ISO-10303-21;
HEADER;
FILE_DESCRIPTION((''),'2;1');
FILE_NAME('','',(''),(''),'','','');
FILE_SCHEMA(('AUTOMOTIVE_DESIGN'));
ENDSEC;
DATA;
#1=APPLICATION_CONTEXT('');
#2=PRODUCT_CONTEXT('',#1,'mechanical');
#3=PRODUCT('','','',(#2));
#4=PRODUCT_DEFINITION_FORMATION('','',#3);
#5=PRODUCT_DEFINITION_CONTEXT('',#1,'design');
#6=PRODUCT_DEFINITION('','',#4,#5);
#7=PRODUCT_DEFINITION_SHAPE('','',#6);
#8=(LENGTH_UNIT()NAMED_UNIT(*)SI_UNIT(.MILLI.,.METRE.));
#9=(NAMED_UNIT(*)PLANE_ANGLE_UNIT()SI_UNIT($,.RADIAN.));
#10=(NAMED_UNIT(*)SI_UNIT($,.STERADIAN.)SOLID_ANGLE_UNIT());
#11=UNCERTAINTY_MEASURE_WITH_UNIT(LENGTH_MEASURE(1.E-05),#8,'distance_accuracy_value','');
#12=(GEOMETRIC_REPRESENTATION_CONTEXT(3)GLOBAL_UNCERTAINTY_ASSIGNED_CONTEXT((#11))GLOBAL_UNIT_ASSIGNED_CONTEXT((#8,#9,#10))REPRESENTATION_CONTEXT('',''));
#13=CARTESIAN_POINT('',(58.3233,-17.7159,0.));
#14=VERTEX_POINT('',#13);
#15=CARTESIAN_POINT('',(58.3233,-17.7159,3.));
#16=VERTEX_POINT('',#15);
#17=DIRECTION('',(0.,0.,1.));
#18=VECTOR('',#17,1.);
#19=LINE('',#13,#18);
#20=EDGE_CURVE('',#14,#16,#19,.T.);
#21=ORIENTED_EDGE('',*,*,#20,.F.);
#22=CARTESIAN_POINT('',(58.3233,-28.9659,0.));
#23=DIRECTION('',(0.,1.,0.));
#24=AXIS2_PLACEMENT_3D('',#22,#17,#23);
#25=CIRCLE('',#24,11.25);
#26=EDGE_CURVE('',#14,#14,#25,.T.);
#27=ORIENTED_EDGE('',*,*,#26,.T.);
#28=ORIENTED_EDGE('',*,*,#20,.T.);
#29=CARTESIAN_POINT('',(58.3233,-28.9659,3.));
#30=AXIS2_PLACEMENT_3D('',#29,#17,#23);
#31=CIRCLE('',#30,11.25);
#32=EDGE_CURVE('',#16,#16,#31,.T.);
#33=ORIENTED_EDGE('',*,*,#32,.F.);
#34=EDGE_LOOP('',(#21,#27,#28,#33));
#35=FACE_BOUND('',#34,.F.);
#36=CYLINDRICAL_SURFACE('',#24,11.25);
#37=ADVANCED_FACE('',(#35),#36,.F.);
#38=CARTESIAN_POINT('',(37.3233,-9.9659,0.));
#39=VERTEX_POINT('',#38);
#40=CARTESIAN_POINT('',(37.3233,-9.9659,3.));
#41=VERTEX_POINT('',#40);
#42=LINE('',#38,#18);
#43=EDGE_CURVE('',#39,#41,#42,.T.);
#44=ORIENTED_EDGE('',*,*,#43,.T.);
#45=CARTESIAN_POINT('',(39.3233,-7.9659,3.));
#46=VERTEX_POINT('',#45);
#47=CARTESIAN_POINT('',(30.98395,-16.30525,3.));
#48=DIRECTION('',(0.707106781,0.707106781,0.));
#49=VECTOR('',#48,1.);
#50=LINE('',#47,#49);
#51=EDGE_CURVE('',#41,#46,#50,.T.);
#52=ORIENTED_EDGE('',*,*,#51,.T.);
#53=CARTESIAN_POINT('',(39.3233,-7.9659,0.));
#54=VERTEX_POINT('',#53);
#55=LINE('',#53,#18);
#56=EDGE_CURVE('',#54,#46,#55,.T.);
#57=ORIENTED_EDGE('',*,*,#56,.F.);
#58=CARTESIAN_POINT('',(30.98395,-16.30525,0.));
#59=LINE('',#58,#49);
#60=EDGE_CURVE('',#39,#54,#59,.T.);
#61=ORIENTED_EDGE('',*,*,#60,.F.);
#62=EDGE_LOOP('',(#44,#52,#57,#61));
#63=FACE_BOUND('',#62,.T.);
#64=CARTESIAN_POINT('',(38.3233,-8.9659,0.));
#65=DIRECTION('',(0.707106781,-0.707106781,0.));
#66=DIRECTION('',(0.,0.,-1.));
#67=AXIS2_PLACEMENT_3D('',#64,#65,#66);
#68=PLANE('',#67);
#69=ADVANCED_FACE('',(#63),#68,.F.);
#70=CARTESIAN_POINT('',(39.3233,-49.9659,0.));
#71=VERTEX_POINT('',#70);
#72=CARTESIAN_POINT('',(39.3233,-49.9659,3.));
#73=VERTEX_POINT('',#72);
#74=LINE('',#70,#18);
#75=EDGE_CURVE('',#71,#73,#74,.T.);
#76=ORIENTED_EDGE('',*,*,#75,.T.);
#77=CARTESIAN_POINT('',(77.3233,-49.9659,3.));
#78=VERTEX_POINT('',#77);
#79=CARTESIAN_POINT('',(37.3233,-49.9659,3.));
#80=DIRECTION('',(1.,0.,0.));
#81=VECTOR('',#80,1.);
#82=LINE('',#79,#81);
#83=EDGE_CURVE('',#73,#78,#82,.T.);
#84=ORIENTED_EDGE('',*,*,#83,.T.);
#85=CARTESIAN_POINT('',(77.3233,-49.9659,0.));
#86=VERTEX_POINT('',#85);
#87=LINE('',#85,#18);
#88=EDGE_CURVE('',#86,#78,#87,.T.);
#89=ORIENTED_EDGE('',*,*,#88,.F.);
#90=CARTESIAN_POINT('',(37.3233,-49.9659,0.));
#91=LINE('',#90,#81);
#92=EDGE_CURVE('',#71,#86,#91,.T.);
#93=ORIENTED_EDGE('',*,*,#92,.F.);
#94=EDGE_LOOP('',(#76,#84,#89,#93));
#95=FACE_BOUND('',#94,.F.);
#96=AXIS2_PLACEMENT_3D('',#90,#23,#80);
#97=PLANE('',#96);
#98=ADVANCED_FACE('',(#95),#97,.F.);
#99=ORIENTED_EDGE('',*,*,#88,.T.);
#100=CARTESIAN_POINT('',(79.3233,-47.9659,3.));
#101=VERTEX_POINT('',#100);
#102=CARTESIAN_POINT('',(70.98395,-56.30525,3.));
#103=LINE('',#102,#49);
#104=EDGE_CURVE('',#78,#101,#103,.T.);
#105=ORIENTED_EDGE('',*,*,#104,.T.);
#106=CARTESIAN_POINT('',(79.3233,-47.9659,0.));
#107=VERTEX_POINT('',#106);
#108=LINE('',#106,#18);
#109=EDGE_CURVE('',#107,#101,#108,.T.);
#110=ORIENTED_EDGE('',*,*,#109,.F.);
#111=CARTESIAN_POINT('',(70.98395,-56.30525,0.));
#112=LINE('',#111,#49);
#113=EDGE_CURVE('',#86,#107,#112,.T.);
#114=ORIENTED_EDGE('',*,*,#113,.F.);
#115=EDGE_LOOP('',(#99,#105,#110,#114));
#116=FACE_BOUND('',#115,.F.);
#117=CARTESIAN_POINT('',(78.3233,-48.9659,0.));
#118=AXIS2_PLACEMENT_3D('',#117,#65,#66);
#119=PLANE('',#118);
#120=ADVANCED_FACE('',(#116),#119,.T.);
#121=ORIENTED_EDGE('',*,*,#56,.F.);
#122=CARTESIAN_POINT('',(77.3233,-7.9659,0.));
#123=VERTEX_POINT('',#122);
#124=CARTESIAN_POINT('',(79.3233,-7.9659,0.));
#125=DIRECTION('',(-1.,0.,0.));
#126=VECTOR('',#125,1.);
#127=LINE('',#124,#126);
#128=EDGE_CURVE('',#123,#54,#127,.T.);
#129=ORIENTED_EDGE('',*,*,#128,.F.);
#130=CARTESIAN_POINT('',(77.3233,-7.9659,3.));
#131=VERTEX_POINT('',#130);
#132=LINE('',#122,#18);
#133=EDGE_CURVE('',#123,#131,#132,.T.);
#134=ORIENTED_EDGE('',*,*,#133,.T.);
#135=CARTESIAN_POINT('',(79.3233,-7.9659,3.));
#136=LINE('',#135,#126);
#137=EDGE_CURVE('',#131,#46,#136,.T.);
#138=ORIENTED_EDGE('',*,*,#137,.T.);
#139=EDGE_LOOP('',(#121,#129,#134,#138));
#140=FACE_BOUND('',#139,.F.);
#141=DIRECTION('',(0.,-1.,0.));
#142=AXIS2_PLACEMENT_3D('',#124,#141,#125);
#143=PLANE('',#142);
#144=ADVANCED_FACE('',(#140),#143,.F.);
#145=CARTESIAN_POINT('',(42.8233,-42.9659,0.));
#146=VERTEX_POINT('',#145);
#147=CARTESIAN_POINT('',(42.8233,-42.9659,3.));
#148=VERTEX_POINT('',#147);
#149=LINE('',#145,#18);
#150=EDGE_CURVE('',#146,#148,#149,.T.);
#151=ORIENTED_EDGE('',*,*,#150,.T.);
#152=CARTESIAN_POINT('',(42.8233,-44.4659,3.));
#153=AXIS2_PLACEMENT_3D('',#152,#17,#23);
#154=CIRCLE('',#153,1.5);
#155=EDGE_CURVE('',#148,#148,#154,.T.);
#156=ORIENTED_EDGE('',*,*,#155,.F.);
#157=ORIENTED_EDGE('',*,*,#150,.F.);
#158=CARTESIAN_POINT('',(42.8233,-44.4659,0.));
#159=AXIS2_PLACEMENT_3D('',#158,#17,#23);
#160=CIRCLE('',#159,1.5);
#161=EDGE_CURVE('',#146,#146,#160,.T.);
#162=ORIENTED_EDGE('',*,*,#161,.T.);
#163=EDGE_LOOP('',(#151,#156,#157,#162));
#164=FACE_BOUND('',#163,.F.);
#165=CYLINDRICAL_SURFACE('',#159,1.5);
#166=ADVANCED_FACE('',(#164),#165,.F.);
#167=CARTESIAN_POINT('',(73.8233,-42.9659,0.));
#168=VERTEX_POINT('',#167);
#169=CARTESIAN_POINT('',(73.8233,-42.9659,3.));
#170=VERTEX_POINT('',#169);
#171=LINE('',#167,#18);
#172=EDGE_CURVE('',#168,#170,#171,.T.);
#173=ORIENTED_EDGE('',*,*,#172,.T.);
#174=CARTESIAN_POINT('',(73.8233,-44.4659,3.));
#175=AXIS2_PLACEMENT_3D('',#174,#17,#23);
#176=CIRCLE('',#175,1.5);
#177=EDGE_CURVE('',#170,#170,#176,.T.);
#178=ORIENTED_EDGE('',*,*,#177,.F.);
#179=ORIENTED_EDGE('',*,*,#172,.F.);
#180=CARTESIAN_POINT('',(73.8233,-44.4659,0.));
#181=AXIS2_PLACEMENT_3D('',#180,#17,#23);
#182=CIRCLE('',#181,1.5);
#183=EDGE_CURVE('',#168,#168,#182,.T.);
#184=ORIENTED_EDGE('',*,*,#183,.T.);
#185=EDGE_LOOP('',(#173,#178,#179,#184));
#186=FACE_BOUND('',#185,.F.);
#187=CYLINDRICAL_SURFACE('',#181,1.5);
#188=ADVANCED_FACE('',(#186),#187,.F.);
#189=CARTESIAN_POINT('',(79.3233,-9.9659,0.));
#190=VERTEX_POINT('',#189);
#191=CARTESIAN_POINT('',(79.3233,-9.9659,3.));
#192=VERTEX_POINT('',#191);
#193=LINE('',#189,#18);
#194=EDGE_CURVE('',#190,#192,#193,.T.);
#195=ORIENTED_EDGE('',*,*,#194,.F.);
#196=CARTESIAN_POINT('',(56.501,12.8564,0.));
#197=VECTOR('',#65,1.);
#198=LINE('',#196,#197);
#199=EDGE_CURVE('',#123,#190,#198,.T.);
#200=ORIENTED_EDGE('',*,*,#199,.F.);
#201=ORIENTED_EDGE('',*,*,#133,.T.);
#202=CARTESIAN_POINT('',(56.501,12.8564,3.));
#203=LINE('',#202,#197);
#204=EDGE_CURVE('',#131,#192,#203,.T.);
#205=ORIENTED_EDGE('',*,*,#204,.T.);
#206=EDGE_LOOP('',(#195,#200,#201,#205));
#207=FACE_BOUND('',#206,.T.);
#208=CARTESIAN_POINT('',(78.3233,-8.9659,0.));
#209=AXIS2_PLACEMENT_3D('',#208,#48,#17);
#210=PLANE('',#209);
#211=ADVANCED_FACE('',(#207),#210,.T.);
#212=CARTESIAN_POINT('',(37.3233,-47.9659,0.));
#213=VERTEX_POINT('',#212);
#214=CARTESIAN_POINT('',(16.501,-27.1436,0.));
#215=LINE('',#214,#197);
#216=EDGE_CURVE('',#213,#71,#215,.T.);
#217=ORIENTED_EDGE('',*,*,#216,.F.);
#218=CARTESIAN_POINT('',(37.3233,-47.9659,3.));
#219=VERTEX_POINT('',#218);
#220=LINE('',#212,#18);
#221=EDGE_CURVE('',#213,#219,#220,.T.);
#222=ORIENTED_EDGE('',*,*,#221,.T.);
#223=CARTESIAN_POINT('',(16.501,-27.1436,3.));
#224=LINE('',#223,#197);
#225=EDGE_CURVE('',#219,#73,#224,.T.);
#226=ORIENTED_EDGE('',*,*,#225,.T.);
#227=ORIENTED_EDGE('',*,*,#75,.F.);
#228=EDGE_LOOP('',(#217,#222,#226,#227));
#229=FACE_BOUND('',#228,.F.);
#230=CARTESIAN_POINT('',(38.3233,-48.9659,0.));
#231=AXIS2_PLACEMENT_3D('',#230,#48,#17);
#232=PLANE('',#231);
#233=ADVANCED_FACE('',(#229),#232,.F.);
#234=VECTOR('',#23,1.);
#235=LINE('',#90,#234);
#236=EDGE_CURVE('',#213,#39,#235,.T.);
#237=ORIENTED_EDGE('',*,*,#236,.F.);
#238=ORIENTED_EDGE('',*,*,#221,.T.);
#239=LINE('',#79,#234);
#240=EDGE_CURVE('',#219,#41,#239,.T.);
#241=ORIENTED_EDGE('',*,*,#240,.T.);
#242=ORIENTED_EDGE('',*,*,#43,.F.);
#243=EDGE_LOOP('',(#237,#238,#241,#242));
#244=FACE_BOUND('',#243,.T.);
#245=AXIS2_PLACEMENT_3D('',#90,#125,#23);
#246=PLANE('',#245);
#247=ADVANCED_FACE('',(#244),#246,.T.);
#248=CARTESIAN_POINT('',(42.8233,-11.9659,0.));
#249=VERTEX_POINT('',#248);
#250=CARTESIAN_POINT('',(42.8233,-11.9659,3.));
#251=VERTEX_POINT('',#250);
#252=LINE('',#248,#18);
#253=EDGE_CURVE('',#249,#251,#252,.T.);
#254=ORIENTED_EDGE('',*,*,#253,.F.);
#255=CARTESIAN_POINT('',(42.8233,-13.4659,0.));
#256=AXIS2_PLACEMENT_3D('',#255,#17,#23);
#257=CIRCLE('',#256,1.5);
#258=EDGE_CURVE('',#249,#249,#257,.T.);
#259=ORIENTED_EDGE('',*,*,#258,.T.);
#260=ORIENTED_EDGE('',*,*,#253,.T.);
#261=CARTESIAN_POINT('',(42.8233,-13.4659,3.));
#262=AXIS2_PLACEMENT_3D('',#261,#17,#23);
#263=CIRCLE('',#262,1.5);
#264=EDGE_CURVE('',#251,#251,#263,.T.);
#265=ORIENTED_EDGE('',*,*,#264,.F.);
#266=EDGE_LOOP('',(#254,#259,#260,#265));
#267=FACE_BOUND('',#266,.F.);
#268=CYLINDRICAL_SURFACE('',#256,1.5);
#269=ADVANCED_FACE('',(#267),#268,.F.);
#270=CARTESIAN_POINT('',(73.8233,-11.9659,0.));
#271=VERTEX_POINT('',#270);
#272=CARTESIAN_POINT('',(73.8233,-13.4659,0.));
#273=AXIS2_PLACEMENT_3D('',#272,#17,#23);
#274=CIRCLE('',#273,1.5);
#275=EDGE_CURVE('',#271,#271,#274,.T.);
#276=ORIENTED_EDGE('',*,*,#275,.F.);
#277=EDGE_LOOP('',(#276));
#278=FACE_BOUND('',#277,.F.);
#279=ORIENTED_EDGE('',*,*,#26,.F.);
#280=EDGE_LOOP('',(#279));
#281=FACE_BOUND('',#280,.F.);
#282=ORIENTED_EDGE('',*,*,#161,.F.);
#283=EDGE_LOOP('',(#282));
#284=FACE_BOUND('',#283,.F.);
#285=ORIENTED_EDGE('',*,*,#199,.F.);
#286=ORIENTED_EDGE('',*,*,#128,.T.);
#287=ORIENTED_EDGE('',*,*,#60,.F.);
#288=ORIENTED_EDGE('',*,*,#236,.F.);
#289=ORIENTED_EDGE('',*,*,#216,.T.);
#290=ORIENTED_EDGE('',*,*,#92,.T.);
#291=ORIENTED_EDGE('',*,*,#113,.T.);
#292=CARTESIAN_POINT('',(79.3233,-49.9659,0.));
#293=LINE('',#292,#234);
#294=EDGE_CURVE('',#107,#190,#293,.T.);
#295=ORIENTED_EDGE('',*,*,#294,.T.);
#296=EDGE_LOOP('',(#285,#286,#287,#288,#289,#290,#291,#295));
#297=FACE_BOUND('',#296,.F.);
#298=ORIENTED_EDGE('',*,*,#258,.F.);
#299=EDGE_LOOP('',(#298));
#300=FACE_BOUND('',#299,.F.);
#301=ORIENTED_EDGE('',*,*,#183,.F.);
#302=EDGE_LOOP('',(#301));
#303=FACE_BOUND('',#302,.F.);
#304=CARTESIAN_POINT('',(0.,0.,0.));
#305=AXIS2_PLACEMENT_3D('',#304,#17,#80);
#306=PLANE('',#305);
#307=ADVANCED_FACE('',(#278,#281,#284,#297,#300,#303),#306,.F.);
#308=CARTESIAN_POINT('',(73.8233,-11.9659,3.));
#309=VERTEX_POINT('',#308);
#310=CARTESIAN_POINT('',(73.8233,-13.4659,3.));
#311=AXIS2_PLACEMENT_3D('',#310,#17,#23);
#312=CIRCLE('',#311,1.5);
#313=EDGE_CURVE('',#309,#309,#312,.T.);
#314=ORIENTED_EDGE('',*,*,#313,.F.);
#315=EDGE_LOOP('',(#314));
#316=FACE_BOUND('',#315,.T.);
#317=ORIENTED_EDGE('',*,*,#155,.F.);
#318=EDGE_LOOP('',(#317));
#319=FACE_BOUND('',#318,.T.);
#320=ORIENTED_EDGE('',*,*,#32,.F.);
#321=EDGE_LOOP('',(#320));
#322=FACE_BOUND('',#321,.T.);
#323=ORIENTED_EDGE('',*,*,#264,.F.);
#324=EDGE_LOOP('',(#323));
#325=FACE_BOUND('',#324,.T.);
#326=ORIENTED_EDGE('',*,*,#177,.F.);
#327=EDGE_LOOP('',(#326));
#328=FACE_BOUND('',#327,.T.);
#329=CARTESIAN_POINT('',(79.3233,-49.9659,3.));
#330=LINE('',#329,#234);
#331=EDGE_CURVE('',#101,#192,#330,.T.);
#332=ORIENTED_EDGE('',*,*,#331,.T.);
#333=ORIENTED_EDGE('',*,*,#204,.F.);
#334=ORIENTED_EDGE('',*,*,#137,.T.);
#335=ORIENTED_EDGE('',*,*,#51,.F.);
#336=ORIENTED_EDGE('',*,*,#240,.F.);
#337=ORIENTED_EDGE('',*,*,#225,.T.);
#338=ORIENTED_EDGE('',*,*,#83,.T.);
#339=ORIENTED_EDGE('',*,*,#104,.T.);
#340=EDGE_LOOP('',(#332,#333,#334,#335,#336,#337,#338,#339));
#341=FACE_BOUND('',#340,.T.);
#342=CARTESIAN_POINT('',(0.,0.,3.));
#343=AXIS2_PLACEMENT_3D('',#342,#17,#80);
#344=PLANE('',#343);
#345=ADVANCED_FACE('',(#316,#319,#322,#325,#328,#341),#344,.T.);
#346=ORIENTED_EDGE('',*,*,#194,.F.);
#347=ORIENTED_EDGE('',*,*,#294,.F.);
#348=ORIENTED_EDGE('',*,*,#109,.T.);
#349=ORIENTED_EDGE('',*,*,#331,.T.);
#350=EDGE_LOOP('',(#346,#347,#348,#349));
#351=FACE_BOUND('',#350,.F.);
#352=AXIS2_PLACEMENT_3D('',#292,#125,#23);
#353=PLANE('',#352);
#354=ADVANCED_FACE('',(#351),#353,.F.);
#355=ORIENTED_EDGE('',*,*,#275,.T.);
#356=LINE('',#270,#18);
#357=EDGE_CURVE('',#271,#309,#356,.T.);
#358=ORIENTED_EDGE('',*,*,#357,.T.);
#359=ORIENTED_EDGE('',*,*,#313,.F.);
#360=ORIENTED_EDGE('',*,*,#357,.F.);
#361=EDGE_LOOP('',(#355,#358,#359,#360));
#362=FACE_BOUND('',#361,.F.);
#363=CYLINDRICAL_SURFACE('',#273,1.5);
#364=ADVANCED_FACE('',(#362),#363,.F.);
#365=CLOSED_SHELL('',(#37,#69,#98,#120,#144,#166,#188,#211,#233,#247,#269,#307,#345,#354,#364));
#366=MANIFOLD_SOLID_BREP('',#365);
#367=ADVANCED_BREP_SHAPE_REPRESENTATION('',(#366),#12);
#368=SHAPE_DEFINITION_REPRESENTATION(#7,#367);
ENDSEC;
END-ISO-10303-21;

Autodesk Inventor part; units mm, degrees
ref_plane "YZ Plane" through (0, 0, 0) normal (1, 0, 0) x (0, 1, 0)
ref_plane "XZ Plane" through (0, 0, 0) normal (0, 1, 0) x (-1, 0, 0)
ref_plane "XY Plane" through (0, 0, 0) normal (0, 0, 1) x (1, 0, 0)
sketch "Szkic1" plane through (0, 0, 0) normal (0, 0, 1) x (1, 0, 0)
  line L0 (37.3233, -49.9659) -> (79.3233, -49.9659)
  line L1 (79.3233, -49.9659) -> (79.3233, -7.9659)
  line L2 (79.3233, -7.9659) -> (37.3233, -7.9659)
  line L3 (37.3233, -49.9659) -> (37.3233, -7.9659)
  point P0 (0, 0)
  point P1 (42.8233, -13.4659)
  point P2 (73.8233, -13.4659)
  point P3 (42.8233, -44.4659)
  point P4 (73.8233, -44.4659)
  point P5 (58.3233, -28.9659)
  dimension "d0" = 42
  dimension "d2" = 15.5
  dimension "d3" = 15.5
  dimension "d4" = 15.5
  dimension "d5" = 15.5
  dimension "d6" = 15.5
  dimension "d7" = 15.5
  dimension "d8" = 15.5
  dimension "d9" = 15.5
  dimension "d10" = 21
  dimension "d11" = 21
  dimension "d19" = 21
extrude "Wyciągnięcie proste1" add sketch "Szkic1" along normal blind 3
hole "Otwór1" at (73.8233, -44.4659, 0) at (42.8233, -44.4659, 0) at (73.8233, -13.4659, 0) at (42.8233, -13.4659, 0) direction (0, 0, 1) diameter 3 end through all
hole "Otwór2" at (58.3233, -28.9659, 0) direction (0, 0, 1) diameter 22.5 end through all
chamfer "Faza1" distance 2 angle 45 4 edges at (37.3233, -7.9659, 1.5) (79.3233, -7.9659, 1.5) (79.3233, -49.9659, 1.5) (37.3233, -49.9659, 1.5)
equation "\"d2\" = 0.5 * d18"
equation "\"d3\" = d2"
equation "\"d4\" = d2"
equation "\"d11\" = d10"
equation "\"d18\" = 31"
properties part number "3DP_ABS_X_Axis_Motor_Spacer"
